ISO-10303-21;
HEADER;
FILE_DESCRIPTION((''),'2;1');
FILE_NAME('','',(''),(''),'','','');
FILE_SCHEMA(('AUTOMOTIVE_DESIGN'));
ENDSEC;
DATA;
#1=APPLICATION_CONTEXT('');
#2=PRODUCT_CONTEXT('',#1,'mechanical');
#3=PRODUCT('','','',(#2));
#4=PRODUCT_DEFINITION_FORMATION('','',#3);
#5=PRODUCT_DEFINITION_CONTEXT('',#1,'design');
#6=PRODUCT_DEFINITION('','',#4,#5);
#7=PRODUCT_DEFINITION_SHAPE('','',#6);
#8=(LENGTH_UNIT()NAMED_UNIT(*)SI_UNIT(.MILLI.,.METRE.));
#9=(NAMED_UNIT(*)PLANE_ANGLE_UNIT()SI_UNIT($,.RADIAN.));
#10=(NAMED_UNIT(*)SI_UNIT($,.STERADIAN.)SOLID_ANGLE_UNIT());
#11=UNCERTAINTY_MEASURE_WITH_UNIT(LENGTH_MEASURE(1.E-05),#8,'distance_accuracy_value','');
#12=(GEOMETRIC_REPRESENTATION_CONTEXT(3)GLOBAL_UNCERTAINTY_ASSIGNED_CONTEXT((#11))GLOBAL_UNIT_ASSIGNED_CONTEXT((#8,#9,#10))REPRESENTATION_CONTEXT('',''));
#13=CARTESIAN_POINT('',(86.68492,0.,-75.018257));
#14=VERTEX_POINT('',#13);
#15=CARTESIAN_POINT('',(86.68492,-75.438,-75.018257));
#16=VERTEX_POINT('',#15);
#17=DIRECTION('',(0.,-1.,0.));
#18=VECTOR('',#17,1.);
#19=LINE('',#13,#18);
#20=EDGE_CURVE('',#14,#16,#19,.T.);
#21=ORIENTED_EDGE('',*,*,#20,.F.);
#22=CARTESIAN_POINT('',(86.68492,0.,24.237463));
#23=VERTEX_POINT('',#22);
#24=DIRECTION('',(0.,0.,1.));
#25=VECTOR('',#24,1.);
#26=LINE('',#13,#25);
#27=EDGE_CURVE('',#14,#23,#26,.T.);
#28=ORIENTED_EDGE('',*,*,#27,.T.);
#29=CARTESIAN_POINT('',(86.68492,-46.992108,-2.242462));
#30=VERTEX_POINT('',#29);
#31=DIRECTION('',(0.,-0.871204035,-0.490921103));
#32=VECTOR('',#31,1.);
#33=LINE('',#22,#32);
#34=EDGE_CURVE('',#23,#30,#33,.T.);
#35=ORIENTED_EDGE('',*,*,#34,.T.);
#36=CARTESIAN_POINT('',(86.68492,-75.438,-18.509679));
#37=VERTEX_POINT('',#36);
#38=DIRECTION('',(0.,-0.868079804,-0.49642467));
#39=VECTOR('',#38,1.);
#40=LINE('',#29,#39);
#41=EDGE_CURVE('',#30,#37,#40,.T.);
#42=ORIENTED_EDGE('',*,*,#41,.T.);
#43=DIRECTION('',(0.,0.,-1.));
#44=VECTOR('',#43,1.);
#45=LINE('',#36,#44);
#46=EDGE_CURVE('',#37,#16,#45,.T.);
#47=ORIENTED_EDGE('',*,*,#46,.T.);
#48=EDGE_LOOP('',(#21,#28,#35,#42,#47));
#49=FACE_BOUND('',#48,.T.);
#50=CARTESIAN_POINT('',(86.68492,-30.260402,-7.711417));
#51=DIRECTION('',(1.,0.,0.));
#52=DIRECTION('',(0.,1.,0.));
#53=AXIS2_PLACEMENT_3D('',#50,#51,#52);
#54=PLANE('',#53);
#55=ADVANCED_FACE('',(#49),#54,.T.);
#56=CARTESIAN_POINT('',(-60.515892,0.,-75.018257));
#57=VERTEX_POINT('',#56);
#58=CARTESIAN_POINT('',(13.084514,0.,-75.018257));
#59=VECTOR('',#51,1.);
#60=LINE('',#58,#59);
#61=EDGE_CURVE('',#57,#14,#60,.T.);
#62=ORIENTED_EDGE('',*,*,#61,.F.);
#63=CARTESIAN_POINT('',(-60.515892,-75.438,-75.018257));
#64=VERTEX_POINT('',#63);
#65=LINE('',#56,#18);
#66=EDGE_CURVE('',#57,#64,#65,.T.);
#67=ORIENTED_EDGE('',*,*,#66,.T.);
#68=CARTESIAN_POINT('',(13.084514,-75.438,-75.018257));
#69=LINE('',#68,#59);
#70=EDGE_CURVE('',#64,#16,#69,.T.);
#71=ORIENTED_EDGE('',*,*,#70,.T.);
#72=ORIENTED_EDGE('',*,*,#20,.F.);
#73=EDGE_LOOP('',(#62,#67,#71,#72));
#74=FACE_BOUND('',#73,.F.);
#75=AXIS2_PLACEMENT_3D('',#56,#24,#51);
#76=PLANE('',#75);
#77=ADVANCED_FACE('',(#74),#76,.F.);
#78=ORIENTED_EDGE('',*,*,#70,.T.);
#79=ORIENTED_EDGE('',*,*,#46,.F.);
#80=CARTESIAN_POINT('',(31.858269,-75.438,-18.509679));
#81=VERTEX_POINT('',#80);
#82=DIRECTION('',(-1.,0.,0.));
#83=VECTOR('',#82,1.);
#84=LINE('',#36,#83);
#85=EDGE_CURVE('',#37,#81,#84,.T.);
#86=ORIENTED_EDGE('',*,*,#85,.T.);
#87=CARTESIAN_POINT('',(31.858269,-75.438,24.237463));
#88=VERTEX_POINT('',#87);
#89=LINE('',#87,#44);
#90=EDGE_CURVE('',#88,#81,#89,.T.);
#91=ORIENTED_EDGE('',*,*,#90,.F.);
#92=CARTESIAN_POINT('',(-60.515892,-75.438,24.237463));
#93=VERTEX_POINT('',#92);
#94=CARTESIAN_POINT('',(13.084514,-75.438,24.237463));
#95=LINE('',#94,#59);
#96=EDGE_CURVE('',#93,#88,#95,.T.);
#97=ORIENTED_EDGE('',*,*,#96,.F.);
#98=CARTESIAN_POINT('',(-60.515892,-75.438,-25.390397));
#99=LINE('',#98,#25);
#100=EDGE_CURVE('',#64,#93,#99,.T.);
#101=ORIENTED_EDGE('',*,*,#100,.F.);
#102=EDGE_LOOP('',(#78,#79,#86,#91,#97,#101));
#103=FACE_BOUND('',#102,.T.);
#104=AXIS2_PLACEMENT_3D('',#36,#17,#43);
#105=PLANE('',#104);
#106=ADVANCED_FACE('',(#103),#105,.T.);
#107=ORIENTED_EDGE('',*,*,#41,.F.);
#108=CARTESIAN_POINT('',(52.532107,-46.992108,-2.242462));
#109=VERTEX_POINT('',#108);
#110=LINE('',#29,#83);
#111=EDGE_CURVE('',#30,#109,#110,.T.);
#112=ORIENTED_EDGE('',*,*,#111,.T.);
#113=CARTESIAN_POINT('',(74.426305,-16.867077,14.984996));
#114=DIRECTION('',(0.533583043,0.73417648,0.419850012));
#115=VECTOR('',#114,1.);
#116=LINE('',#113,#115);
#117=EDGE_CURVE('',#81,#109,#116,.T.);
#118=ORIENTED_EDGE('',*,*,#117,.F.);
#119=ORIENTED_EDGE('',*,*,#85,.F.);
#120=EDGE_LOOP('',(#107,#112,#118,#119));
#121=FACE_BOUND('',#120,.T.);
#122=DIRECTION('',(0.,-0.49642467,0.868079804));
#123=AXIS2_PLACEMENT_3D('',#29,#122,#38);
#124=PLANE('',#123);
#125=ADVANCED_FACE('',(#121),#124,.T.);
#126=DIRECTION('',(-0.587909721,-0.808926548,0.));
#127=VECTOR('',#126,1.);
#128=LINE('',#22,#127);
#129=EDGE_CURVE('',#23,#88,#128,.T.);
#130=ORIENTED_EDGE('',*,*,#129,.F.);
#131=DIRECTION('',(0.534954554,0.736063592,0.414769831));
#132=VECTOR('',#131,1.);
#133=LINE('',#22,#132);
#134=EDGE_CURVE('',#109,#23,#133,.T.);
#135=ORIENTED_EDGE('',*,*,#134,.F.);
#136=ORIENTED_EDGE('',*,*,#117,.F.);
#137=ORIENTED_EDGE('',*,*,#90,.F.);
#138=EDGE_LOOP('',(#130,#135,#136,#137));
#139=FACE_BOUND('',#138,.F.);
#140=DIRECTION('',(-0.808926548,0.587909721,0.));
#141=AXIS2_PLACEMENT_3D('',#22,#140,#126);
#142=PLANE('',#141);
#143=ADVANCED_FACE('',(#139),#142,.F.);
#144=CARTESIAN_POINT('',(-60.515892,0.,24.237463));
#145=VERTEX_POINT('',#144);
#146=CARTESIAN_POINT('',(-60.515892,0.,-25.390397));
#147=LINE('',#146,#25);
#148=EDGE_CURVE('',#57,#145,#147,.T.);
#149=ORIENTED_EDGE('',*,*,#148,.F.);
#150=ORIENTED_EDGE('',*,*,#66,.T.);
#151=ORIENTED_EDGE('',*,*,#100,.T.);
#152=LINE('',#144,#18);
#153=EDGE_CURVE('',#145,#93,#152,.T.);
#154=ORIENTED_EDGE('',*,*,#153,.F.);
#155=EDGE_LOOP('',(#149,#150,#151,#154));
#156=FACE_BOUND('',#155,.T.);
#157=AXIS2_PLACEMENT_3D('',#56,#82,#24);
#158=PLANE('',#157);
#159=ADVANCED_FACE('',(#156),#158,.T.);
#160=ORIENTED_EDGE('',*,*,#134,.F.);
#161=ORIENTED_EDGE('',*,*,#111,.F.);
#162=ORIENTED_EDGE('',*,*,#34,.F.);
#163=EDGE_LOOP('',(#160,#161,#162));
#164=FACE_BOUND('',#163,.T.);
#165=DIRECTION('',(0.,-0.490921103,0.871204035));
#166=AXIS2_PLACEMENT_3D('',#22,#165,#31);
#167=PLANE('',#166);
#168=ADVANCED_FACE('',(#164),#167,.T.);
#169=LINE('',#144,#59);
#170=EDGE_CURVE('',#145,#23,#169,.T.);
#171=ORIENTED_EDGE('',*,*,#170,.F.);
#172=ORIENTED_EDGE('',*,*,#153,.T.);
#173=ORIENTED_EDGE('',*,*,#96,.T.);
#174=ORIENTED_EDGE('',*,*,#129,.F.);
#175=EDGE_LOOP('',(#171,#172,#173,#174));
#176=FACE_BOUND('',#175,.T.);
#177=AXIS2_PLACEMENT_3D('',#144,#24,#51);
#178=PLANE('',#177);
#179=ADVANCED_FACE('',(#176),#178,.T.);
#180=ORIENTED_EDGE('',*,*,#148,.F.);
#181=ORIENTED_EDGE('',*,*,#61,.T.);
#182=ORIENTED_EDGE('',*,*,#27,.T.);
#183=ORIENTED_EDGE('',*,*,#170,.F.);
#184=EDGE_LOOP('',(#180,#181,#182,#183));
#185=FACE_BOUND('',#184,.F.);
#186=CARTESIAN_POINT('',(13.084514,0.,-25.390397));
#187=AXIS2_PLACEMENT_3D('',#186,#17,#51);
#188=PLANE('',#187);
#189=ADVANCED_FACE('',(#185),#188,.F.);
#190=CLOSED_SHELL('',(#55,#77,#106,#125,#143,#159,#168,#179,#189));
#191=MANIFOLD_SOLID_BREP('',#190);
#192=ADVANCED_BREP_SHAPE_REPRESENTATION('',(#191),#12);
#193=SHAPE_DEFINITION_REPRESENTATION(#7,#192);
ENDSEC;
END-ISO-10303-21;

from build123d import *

# Parameters (mm, degrees)
F0_W     = 147.200812
F0_H     = 99.25572
F1_DEPTH = 75.438
F4_DEPTH = 44.704
F6_DEPTH = 65.278


with BuildPart() as f1:
    # F0 (on Front) → F1 (new body)
    with BuildSketch(Plane.XZ):
        with Locations((13.084514, -25.390397)):
            Rectangle(F0_W, F0_H)
    extrude(amount=F1_DEPTH)

    # F2 (on face) → F4 (cut)
    with BuildSketch(Plane.XY.offset(24.237463)):
        Polygon((86.68492, -75.438), (86.68492, 0), (31.858269, -75.438), align=None)
    extrude(amount=-F4_DEPTH, mode=Mode.SUBTRACT)

    # F5 (on face) → F6 (join)
    with BuildSketch(Plane.YZ.offset(86.68492)):
        Polygon((-46.992108, -2.242462), (-75.438, -18.509679), (-75.438, -23.966648), (0, -23.966648), (0, 24.237463), align=None)
    extrude(amount=-F6_DEPTH)


solid = f1.part
